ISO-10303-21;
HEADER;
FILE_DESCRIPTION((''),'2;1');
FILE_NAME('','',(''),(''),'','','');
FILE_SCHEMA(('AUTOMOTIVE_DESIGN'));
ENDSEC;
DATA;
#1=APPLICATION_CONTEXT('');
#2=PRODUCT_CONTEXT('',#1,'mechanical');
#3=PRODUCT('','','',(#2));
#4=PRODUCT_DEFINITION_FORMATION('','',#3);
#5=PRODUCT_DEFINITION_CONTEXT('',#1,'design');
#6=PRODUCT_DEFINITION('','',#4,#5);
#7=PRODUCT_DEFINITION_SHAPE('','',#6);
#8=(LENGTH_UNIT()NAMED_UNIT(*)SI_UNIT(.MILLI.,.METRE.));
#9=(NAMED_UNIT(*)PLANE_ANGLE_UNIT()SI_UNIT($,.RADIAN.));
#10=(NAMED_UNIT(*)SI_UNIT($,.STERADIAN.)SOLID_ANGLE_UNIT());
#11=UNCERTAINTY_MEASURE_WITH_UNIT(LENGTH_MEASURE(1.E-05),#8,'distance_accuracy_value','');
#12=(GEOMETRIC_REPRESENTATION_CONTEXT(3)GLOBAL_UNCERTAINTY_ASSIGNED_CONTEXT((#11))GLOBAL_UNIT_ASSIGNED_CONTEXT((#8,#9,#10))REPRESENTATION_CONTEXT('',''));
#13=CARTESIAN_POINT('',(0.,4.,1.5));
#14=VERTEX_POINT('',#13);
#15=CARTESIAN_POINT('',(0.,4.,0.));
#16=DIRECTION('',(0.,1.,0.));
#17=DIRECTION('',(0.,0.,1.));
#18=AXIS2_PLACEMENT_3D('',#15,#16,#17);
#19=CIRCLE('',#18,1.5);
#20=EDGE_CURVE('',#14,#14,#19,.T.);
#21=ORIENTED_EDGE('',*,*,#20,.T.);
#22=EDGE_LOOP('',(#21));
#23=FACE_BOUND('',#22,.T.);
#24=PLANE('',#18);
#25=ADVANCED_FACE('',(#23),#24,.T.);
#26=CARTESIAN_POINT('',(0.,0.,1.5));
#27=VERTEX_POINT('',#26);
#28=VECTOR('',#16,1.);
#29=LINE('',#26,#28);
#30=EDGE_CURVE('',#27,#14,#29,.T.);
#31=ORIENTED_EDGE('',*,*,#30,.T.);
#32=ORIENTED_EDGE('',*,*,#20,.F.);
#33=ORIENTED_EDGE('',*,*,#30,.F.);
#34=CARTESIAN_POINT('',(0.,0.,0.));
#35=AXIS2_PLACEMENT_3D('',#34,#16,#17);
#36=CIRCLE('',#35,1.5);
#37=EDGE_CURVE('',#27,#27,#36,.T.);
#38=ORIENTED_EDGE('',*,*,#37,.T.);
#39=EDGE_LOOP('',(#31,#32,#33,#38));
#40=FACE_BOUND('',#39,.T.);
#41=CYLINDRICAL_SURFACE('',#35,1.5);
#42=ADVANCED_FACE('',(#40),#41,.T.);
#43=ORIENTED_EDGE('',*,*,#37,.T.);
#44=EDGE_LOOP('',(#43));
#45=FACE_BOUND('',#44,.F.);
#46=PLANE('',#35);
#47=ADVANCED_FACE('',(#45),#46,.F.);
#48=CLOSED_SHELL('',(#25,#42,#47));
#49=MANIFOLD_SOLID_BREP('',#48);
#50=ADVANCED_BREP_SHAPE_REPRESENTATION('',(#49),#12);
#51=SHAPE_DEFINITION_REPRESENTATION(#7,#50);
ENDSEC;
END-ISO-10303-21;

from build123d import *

# Parameters (mm, degrees)
SWEEP1_PROFILE_R = 1.5


with BuildPart() as part:
    # Sweep1: sweep along a path in Sketch1
    with BuildLine(Plane.XY) as sweep1_path:
        Line((0, 0), (0, 4))
    # Sweep1 profile (on start of the path) → Sweep1 (sweep)
    with BuildSketch(Plane.ZX):
        Circle(SWEEP1_PROFILE_R)
    sweep(path=sweep1_path.line)


solid = part.part
